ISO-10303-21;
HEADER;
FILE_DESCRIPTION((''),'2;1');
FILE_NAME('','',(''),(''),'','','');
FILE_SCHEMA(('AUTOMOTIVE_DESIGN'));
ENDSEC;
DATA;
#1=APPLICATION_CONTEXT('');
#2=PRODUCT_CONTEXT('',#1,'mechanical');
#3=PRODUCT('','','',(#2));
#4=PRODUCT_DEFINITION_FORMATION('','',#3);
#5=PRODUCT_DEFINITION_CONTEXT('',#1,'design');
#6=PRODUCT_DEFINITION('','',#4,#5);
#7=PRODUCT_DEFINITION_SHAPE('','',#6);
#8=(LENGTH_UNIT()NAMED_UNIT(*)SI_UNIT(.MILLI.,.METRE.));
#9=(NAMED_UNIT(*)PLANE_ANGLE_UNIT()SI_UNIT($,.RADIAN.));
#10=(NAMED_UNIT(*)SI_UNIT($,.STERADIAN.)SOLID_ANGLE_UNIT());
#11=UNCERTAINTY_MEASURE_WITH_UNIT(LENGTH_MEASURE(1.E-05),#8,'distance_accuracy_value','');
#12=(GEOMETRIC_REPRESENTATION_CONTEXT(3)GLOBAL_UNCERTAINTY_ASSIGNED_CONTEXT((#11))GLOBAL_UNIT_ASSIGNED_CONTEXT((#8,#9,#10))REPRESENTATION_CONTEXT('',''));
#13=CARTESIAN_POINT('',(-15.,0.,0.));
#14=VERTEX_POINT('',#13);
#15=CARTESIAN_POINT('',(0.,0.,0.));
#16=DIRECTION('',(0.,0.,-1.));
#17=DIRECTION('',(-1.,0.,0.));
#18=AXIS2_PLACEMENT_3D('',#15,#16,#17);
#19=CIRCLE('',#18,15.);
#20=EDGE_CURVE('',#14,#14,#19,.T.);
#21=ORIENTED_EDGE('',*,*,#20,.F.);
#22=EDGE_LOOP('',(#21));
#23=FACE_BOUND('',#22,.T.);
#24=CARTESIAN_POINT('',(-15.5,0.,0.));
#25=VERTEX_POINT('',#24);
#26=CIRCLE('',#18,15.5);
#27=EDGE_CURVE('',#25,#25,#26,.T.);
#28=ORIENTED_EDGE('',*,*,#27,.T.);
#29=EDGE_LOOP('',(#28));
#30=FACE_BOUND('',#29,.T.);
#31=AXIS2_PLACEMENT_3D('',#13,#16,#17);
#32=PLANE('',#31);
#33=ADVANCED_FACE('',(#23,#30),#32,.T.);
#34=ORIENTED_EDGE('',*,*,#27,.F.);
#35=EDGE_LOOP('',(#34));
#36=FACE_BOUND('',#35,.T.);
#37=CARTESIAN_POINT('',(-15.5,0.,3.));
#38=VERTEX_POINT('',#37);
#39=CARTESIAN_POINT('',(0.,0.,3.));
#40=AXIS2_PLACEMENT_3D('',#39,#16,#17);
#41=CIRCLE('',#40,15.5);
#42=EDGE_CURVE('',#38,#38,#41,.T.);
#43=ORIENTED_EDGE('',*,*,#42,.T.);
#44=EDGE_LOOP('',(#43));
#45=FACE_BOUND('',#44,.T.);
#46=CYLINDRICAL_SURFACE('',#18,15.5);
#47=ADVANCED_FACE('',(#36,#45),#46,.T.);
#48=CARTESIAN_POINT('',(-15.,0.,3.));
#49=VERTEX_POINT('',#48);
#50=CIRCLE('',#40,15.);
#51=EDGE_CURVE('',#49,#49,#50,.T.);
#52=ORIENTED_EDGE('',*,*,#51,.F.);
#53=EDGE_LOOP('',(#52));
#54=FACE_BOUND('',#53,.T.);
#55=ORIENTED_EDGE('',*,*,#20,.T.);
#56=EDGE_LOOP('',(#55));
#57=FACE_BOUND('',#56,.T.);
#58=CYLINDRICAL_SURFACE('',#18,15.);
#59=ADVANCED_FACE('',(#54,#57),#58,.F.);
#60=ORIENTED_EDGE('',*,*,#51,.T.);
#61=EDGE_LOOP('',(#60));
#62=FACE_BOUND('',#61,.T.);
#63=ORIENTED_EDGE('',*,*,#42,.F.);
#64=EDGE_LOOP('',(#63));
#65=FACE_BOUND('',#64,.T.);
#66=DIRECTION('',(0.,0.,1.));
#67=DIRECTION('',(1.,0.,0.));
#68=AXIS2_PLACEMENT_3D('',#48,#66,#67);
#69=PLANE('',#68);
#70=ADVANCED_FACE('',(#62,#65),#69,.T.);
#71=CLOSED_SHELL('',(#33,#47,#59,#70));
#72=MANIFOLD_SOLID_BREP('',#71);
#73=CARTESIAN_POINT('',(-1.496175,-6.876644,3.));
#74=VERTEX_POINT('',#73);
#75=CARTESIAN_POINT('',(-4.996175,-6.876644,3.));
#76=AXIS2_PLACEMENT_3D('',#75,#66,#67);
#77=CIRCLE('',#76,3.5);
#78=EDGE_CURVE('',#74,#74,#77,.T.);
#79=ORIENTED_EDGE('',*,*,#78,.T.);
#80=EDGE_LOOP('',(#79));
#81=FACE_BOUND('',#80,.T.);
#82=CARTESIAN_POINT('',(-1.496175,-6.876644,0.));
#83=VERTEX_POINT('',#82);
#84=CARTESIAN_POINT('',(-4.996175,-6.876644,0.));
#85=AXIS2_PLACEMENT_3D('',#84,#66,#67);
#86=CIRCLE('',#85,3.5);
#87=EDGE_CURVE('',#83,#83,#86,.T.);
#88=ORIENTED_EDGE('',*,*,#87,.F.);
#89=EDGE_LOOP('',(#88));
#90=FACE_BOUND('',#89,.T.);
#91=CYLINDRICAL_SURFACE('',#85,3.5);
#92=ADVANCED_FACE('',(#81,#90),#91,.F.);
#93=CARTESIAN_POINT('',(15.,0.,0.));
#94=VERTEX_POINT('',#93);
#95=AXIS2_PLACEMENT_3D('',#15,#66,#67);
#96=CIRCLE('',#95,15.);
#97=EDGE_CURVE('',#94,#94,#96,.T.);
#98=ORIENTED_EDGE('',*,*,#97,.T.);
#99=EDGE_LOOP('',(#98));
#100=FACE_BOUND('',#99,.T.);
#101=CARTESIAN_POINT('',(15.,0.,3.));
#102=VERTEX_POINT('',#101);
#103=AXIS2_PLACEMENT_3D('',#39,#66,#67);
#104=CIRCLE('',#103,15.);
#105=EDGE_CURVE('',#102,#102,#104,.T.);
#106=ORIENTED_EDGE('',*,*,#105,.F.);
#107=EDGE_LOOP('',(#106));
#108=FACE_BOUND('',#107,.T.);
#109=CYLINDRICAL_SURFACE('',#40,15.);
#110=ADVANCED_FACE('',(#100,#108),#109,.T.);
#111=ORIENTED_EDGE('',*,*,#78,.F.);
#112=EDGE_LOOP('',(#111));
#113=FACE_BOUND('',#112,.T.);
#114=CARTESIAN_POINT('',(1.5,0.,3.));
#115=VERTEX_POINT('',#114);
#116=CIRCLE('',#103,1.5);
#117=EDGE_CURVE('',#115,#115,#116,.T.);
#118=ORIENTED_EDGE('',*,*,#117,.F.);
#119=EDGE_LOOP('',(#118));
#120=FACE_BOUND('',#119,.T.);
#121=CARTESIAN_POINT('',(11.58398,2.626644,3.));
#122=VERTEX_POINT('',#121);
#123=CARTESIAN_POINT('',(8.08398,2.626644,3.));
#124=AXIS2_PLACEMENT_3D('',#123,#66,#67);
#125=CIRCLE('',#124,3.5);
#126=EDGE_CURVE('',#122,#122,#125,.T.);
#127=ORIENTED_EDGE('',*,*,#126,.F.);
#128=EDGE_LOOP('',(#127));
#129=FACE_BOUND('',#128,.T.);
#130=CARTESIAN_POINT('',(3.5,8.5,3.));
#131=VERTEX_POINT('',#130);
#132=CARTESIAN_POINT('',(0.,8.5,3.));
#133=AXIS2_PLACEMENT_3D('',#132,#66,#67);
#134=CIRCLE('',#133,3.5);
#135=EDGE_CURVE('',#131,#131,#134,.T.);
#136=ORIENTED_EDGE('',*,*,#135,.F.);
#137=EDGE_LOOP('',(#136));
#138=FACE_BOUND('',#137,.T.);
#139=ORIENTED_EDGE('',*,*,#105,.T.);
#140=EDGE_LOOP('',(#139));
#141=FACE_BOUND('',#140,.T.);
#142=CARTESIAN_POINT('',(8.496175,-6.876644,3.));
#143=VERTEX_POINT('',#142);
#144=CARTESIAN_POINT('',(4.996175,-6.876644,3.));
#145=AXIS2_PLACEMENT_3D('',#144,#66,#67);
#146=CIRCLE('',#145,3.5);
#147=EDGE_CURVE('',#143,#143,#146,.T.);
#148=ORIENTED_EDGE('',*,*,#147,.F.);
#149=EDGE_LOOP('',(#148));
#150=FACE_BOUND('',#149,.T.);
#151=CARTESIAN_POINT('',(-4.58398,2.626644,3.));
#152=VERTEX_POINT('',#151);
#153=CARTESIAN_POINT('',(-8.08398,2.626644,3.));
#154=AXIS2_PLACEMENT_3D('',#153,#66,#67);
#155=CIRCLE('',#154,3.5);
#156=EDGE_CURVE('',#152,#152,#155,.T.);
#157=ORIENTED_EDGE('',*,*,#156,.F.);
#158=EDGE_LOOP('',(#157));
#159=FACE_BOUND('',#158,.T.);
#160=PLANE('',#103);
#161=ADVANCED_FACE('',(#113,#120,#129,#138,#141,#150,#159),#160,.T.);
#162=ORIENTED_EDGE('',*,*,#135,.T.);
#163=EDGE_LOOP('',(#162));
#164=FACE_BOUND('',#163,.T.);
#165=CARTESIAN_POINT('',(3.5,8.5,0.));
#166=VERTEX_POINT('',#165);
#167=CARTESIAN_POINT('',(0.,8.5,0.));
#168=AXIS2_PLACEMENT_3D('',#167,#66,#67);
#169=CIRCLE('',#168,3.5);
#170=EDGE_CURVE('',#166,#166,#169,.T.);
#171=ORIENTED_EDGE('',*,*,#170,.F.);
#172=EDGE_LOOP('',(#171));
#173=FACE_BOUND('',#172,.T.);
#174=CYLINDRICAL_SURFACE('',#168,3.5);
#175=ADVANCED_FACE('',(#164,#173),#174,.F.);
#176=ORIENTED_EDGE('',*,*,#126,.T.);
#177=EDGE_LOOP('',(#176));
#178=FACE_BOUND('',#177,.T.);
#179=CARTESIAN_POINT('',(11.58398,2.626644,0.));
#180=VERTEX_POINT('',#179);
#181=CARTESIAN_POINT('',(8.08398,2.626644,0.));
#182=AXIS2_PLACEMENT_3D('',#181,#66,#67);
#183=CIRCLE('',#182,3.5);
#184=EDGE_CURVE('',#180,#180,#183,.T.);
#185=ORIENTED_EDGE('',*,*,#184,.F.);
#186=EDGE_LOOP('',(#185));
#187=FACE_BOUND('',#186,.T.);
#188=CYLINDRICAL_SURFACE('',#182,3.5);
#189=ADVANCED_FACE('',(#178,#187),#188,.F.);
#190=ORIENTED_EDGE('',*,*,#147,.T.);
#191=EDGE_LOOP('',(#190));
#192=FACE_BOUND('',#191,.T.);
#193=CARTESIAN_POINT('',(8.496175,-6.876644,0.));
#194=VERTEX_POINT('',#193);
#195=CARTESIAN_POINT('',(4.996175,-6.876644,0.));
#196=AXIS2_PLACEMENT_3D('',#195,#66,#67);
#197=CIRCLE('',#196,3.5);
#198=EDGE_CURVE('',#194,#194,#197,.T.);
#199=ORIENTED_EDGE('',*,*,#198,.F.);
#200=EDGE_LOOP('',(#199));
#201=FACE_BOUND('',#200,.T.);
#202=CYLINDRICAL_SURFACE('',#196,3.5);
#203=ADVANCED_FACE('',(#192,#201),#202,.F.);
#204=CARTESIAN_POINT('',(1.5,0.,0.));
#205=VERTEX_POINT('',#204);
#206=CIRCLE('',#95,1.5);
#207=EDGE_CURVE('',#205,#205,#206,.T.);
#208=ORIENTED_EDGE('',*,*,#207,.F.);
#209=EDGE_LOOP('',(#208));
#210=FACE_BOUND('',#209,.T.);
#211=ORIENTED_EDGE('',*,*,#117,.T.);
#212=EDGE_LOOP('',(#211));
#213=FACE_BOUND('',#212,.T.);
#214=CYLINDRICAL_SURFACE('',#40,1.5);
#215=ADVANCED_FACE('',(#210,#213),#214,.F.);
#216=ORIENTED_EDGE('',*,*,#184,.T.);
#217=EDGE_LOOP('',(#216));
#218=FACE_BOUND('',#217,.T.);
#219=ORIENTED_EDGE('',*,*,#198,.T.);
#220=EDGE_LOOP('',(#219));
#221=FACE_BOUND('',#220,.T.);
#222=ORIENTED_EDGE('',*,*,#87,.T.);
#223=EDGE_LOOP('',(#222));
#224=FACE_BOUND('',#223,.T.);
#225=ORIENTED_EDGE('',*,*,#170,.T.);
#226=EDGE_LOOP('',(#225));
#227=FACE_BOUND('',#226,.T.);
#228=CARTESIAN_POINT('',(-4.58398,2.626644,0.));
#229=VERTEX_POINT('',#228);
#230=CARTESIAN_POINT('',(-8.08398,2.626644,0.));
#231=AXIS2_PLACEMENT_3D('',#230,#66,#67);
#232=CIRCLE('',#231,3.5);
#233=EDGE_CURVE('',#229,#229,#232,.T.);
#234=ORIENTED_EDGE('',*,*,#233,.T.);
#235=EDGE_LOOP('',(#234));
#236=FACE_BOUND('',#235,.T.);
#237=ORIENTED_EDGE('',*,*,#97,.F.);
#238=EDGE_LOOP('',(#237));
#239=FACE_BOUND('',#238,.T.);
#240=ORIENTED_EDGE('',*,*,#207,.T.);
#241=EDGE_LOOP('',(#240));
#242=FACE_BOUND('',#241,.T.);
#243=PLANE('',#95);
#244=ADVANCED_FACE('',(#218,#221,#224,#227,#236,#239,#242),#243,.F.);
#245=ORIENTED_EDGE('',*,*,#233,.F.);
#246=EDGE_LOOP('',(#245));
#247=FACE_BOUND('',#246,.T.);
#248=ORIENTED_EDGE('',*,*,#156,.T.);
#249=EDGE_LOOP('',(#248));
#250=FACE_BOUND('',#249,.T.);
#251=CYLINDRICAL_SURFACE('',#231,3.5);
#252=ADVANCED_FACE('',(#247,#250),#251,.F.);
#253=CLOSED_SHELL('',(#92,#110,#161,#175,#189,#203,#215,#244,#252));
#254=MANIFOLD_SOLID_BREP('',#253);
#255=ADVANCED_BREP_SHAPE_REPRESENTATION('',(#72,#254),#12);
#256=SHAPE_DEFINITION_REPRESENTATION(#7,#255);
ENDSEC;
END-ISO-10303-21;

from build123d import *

# Parameters (mm, degrees)
SKETCH1_R               = 15
SKETCH1_R_2             = 1.5
BOSS_EXTRUDE1_DEPTH     = 3
SKETCH4_R               = 3.5
CUT_EXTRUDE1_DEPTH      = 1
CUT_EXTRUDE1_DEPTH_BACK = 4
SKETCH2_W               = 0.5
SKETCH2_H               = 3


with BuildPart() as part:
    # Sketch1 → Boss-Extrude1 (new body)
    with BuildSketch(Plane.XY):
        Circle(SKETCH1_R)
        Circle(SKETCH1_R_2, mode=Mode.SUBTRACT)
    extrude(amount=BOSS_EXTRUDE1_DEPTH)

    # Sketch4 → Cut-Extrude1 (cut, two sides)
    with BuildSketch(Plane.XY.offset(3)) as cut_extrude1_sk:
        with Locations((0, 8.5)):
            Circle(SKETCH4_R)
        with Locations((8.083980389, 2.626644452)):
            Circle(SKETCH4_R)
        with Locations((4.996174644, -6.876644452)):
            Circle(SKETCH4_R)
        with Locations((-4.996174644, -6.876644452)):
            Circle(SKETCH4_R)
        with Locations((-8.083980389, 2.626644452)):
            Circle(SKETCH4_R)
    extrude(amount=CUT_EXTRUDE1_DEPTH, mode=Mode.SUBTRACT)
    extrude(cut_extrude1_sk.sketch, amount=-CUT_EXTRUDE1_DEPTH_BACK, mode=Mode.SUBTRACT)


with BuildPart() as body_2:
    # Sketch2 → Revolve1 (revolve)
    with BuildSketch(Plane(origin=(0, 0, 0), x_dir=(1, 0, 0), z_dir=(0, 1, 0))):
        with Locations((-15.25, -1.5)):
            Rectangle(SKETCH2_W, SKETCH2_H)
    revolve(axis=Axis((0, 0, 0), (0, 0, 1)))


solid = Compound([part.part, body_2.part])
